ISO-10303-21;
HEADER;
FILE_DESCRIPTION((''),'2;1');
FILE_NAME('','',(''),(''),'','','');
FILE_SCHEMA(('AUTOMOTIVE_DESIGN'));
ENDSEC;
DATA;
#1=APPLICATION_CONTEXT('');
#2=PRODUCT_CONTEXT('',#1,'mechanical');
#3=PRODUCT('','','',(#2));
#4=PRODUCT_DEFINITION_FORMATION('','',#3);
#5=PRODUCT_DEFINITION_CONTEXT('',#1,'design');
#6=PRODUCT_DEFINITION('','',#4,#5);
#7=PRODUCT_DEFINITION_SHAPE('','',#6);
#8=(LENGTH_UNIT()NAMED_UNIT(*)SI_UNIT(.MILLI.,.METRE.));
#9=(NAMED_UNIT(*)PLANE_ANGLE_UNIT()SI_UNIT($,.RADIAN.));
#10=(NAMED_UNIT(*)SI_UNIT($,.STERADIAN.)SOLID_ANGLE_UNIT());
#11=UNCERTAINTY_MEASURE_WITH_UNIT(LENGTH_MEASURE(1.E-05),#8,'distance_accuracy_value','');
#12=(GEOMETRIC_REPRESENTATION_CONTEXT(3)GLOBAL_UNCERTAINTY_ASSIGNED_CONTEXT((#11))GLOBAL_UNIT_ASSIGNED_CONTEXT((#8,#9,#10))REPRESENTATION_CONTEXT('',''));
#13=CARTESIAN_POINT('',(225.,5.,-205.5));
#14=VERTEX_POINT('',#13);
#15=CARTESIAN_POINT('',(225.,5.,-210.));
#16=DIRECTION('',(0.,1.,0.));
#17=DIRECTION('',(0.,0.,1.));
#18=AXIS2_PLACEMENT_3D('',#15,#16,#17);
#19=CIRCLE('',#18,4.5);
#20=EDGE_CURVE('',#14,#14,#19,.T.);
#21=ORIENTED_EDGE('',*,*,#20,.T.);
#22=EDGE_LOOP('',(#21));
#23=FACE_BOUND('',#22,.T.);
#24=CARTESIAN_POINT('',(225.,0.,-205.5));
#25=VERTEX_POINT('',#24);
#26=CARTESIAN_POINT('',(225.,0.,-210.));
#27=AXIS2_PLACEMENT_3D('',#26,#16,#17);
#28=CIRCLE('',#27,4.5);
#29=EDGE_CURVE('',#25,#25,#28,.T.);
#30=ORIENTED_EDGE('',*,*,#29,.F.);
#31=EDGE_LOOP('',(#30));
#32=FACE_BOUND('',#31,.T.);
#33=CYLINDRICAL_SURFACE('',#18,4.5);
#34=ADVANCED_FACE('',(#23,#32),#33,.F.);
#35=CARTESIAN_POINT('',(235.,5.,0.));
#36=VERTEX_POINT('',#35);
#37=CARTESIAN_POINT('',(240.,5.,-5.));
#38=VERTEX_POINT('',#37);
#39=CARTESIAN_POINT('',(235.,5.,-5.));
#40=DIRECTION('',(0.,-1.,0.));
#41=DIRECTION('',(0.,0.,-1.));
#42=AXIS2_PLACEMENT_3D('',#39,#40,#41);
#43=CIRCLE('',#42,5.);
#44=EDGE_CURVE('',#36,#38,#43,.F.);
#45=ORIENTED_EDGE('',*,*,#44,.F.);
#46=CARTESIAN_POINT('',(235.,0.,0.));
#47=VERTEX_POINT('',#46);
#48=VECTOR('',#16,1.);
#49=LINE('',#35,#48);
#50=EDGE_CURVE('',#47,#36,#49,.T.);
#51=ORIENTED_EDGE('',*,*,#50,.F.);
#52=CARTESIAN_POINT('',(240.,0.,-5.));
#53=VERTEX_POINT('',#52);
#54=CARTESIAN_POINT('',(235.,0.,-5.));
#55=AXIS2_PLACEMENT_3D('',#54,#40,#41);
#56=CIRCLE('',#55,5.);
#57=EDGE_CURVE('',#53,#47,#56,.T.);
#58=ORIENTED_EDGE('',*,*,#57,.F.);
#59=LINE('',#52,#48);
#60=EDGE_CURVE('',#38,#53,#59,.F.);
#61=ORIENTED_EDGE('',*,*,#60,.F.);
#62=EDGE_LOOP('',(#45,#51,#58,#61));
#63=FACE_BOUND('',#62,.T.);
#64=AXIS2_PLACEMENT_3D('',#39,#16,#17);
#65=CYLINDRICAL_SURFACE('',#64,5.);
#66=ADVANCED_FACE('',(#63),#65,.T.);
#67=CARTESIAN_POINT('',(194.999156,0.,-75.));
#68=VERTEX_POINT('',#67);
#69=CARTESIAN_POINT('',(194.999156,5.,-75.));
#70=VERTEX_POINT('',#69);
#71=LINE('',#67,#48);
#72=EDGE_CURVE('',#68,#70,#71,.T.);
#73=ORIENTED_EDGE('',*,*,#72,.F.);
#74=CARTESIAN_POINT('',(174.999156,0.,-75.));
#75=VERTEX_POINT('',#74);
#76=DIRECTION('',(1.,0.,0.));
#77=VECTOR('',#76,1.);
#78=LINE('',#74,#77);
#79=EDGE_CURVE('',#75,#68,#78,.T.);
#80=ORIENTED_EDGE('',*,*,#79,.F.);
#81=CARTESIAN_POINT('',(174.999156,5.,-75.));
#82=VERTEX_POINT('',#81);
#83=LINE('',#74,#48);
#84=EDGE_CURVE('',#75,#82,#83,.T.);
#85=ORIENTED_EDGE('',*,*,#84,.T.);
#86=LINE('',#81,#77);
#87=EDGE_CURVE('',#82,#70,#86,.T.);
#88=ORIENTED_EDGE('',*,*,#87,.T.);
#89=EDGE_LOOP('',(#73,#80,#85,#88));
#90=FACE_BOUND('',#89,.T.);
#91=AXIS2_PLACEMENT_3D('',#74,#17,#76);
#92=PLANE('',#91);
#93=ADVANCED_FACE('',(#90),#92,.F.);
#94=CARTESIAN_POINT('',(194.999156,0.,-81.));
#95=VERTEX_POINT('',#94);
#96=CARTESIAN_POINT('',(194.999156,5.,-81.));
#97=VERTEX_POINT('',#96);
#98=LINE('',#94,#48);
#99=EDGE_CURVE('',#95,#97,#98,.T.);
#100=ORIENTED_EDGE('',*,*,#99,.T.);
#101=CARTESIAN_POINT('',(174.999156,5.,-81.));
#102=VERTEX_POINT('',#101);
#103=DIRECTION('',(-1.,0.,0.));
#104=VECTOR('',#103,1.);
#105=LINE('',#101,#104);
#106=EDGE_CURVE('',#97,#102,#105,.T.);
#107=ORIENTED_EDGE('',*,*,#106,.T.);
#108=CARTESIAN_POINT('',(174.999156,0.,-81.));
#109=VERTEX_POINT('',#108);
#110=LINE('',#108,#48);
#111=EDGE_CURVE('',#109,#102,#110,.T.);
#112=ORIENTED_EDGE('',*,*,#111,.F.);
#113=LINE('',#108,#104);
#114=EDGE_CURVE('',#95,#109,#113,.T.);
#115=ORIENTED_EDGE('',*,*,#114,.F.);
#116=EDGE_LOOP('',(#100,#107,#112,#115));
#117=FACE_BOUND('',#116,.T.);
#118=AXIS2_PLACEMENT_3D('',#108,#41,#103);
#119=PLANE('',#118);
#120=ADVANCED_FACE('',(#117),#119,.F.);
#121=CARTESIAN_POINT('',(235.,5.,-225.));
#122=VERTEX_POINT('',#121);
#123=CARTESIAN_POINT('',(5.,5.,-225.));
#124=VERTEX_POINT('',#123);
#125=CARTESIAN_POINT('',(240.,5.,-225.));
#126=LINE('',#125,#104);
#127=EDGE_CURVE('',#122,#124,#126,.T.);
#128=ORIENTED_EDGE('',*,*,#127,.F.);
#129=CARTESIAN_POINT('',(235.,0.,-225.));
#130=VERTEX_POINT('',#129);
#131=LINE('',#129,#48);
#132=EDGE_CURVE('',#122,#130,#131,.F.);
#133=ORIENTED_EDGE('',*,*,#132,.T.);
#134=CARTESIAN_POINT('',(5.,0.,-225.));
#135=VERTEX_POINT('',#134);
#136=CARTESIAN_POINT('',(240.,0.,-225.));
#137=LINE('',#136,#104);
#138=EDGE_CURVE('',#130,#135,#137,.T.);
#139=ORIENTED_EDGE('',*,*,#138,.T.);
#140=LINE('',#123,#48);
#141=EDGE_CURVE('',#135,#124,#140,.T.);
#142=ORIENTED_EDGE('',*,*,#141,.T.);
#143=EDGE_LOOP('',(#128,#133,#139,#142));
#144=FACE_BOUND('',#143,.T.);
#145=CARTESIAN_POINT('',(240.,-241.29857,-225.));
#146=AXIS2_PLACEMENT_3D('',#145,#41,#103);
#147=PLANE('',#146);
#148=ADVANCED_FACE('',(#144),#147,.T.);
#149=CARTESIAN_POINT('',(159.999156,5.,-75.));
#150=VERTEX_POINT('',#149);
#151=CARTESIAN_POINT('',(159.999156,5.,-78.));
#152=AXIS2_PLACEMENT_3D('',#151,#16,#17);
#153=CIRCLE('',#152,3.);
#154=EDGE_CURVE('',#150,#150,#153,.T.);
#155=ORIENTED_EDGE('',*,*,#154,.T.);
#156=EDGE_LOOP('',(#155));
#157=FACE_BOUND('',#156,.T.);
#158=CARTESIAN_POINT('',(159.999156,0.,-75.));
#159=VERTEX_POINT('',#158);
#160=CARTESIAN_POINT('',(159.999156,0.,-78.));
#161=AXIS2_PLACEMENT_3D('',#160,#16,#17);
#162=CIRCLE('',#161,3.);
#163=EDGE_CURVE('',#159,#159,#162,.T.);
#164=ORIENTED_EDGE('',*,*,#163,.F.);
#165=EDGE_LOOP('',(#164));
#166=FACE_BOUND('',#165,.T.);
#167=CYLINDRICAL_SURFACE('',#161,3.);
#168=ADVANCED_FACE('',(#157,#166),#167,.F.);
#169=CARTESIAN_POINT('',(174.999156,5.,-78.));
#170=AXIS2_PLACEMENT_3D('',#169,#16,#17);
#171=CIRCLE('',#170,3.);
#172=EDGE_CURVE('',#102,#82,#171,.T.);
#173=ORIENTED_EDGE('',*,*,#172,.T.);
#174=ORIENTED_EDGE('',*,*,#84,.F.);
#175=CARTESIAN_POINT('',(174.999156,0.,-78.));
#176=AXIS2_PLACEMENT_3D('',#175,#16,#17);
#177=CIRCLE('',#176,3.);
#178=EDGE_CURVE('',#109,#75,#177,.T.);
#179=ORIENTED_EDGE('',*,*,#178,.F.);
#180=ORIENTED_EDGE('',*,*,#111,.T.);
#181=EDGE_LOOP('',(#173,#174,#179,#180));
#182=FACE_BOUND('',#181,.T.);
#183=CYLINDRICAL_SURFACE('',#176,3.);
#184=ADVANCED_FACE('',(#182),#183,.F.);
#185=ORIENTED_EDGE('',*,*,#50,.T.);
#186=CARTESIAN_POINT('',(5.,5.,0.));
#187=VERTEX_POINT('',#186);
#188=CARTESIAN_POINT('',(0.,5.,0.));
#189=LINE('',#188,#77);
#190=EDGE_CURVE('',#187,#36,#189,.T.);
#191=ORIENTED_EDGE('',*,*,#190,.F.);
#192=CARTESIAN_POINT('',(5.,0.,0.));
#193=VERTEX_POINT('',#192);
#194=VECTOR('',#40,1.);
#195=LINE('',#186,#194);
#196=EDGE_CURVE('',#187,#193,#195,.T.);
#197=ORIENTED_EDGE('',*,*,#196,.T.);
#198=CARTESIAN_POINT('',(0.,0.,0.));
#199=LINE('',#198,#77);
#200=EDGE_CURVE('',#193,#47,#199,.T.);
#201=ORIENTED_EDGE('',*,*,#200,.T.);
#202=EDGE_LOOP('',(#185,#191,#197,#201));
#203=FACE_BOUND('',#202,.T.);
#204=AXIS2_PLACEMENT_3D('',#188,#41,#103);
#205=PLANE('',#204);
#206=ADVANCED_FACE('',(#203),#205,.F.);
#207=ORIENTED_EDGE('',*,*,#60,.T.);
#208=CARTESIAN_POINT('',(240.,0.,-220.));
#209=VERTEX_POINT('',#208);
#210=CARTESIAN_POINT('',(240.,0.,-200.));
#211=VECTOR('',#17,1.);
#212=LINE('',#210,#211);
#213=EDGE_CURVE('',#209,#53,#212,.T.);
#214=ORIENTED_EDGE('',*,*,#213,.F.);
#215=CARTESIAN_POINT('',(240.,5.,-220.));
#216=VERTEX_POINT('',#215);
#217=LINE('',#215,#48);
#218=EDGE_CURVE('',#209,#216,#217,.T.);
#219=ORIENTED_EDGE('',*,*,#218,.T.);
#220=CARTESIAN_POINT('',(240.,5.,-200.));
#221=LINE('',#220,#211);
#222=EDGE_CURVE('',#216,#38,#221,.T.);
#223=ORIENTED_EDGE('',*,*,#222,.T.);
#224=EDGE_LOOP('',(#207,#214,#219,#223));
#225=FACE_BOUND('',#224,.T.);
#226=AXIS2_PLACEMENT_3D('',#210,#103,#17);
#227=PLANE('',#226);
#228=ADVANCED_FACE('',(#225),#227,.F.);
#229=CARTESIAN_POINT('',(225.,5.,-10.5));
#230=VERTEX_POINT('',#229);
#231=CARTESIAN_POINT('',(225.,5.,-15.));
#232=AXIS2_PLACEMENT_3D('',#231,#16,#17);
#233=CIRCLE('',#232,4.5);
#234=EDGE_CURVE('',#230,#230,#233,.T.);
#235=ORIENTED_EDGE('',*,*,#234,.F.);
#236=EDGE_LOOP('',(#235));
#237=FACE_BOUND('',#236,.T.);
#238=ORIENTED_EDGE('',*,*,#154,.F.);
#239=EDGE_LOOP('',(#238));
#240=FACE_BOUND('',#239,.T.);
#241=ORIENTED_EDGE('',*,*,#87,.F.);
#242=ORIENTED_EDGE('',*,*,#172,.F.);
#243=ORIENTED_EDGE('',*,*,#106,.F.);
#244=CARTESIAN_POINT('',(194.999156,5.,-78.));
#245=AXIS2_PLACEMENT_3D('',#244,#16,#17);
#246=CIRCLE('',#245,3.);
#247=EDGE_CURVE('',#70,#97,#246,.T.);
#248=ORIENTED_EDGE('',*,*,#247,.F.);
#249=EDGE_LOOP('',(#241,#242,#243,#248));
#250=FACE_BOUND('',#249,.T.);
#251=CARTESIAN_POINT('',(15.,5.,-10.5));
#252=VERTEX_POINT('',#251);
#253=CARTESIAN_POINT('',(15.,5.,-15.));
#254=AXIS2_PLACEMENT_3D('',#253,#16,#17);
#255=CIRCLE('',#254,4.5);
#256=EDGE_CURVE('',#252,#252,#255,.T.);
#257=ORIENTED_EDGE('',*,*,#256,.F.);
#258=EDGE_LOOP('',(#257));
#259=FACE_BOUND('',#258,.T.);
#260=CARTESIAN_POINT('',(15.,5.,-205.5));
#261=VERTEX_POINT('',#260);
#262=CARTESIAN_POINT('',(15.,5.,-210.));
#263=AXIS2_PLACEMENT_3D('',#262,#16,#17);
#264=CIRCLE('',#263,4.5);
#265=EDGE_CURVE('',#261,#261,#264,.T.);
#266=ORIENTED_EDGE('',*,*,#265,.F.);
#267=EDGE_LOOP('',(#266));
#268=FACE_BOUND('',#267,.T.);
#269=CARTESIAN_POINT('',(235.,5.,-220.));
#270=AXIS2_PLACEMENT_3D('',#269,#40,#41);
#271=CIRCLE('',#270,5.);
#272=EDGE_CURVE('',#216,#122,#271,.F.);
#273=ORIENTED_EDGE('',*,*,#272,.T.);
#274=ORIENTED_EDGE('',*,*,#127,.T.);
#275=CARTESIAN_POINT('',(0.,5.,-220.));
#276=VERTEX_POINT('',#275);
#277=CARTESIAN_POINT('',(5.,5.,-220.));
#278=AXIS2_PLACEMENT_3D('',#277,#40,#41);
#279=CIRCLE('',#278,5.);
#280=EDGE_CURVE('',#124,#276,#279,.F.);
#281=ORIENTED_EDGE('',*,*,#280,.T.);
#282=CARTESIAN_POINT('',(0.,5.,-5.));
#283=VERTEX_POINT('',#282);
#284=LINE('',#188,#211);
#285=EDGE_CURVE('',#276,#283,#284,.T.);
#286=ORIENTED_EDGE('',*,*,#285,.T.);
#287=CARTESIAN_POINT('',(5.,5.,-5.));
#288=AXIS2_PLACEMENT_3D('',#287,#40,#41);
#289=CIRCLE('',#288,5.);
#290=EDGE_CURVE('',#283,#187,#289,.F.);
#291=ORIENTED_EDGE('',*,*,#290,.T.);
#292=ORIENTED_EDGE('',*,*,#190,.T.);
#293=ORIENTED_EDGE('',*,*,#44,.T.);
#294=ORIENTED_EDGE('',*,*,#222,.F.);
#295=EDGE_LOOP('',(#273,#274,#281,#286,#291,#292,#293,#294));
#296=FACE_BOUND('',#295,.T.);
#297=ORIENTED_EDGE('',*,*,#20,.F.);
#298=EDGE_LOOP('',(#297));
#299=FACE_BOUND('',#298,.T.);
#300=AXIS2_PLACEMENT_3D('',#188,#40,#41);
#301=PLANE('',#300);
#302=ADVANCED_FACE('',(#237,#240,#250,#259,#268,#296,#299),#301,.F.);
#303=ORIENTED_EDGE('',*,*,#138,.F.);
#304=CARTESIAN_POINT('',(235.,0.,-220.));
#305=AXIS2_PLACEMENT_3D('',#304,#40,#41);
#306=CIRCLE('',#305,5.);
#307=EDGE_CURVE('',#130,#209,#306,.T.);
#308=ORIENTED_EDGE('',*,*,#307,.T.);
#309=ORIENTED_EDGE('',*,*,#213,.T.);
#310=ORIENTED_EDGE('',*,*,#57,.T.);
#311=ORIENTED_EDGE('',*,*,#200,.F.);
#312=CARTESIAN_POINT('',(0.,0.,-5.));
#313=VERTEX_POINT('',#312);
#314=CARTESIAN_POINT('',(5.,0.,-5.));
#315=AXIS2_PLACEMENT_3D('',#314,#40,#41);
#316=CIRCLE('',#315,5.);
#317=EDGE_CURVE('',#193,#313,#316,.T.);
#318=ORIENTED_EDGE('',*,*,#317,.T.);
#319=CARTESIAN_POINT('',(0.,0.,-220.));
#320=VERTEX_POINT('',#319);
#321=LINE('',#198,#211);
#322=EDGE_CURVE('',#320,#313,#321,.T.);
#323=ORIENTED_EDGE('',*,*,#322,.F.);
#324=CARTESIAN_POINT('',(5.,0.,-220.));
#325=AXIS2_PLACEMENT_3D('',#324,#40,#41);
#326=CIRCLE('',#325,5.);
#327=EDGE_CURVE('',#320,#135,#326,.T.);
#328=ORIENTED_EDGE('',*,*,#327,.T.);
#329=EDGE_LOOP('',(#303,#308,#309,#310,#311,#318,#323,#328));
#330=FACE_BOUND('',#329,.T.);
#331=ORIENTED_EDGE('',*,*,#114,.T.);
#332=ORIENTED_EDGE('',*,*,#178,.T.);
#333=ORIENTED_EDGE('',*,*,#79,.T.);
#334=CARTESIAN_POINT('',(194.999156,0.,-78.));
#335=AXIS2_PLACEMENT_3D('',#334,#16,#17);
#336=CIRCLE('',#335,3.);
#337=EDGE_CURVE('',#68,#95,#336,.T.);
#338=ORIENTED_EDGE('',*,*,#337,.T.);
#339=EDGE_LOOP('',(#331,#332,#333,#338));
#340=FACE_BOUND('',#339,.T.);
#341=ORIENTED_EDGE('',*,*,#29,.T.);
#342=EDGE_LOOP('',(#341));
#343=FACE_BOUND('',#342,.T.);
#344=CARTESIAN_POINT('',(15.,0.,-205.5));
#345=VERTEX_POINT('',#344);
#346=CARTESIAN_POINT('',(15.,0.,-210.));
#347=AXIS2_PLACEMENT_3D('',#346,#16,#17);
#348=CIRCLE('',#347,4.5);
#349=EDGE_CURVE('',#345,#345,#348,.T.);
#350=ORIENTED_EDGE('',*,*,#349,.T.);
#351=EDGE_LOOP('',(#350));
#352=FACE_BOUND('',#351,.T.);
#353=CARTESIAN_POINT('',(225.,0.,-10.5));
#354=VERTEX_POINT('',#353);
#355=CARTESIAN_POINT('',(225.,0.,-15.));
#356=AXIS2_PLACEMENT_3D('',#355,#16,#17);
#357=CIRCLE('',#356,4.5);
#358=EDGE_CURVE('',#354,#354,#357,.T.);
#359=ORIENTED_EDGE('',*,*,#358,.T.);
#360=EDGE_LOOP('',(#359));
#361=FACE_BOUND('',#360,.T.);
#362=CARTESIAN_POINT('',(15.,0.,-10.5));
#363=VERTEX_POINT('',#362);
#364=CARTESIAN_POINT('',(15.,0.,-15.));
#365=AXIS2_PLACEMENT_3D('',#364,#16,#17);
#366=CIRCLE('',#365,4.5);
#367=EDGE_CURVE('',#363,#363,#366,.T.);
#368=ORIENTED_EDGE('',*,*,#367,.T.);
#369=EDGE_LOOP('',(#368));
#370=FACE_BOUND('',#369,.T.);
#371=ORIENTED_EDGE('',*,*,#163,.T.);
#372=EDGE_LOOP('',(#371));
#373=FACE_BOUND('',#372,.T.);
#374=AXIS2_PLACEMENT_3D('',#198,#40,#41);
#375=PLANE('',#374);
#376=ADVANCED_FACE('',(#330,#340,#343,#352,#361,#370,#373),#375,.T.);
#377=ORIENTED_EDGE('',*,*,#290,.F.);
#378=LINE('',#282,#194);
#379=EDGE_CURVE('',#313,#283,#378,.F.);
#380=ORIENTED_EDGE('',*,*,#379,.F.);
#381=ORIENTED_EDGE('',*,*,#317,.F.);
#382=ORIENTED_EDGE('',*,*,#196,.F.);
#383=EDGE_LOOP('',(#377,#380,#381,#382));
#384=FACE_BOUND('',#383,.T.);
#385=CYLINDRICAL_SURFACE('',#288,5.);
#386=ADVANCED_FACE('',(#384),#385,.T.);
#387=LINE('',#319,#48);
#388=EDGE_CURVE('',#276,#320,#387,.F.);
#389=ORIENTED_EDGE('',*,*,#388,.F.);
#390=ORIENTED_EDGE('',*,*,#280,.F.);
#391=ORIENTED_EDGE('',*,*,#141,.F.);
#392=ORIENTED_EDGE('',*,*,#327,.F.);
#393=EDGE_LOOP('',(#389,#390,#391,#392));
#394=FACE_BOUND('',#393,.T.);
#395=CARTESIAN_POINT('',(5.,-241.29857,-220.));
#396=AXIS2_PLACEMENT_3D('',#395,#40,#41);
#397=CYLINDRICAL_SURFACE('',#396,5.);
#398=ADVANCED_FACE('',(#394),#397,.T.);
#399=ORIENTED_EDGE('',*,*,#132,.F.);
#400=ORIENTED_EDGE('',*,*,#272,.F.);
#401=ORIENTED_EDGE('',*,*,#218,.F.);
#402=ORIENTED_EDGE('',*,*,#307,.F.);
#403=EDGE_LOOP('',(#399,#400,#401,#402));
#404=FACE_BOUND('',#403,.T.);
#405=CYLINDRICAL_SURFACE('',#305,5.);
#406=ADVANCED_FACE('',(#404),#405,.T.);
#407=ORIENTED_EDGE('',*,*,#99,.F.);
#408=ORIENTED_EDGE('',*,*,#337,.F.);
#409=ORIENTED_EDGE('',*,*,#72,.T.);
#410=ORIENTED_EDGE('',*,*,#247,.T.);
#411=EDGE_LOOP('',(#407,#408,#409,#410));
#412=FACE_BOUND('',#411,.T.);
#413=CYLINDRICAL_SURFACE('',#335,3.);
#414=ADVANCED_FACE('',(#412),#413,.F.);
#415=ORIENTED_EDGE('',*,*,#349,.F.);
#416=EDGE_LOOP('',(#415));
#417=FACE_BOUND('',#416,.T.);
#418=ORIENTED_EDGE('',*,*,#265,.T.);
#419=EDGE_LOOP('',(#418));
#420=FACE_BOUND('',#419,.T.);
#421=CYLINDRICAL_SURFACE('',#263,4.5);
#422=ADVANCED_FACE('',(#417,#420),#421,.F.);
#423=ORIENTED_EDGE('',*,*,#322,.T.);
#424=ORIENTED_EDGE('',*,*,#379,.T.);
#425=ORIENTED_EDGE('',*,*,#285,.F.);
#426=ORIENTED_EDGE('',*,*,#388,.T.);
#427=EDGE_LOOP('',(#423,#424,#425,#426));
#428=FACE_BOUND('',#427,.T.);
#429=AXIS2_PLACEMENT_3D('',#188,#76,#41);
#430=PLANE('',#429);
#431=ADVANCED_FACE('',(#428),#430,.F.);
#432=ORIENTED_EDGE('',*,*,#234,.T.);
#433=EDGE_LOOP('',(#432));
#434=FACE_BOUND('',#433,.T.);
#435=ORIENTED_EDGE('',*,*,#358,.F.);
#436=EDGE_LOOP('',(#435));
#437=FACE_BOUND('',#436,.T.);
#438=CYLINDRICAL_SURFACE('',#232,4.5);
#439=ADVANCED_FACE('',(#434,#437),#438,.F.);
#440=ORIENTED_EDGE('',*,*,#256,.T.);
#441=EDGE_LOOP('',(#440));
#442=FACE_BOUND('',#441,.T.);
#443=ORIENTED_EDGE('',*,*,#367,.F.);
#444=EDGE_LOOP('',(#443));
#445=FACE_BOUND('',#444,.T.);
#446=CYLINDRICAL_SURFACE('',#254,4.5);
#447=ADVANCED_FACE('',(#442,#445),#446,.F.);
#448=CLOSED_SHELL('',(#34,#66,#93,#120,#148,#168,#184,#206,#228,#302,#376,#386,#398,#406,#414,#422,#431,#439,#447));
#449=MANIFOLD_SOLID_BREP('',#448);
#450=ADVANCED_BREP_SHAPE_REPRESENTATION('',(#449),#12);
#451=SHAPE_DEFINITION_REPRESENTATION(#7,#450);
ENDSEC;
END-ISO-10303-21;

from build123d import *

# Parameters (mm, degrees)
SKETCH1_W                = 350
SKETCH1_H                = 200
BOSS_EXTRUDE1_DEPTH      = 5
M4_CLEARANCE_HOLE2_D     = 4.5
M4_CLEARANCE_HOLE2_DEPTH = 10
M4_CLEARANCE_HOLE2_TIP   = 1.351936393
SKETCH8_R                = 3
CUT_EXTRUDE2_DEPTH       = 404.143894906
SKETCH10_W               = 110
SKETCH10_H               = 200
CUT_EXTRUDE4_DEPTH       = 404.143894906
SKETCH11_W               = 240
SKETCH11_H               = 25
BOSS_EXTRUDE2_DEPTH      = 5
M8_CLEARANCE_HOLE1_D     = 9
FILLET3_R                = 5


with BuildPart() as part:
    # Sketch1 → Boss-Extrude1 (new body)
    with BuildSketch(Plane(origin=(0, 0, 0), x_dir=(1, 0, 0), z_dir=(0, 1, 0))):
        with Locations((175, 100)):
            Rectangle(SKETCH1_W, SKETCH1_H)
    extrude(amount=BOSS_EXTRUDE1_DEPTH)

    # M4 Clearance Hole2
    with Locations(Plane(origin=(0, 5, 0), x_dir=(1, 0, 0), z_dir=(0, 1, 0))):
        with Locations((279.726995352, 76.5), (279.726995352, 123.5), (303.226995352, 100), (256.226995352, 100)):
            Hole(M4_CLEARANCE_HOLE2_D / 2, depth=M4_CLEARANCE_HOLE2_DEPTH)
            with Locations((0, 0, -(M4_CLEARANCE_HOLE2_DEPTH + M4_CLEARANCE_HOLE2_TIP / 2))):  # 118° drill point
                Cone(0, M4_CLEARANCE_HOLE2_D / 2, M4_CLEARANCE_HOLE2_TIP, mode=Mode.SUBTRACT)

    # Sketch8 → Cut-Extrude2 (cut, through all)
    with BuildSketch(Plane(origin=(0, 5, 0), x_dir=(1, 0, 0), z_dir=(0, 1, 0))):
        with Locations(Location((159.999156247, 78, 0), (0, 0, 270))):
            Circle(SKETCH8_R)
        with BuildLine():
            Line((174.999156247, 81), (194.999156247, 81))
            ThreePointArc((194.999156247, 81), (197.999156247, 78), (194.999156247, 75))
            Line((194.999156247, 75), (174.999156247, 75))
            ThreePointArc((174.999156247, 75), (171.999156247, 78), (174.999156247, 81))
        make_face()
    extrude(amount=-CUT_EXTRUDE2_DEPTH, mode=Mode.SUBTRACT)

    # Sketch10 → Cut-Extrude4 (cut, through all)
    with BuildSketch(Plane(origin=(0, 5, 0), x_dir=(1, 0, 0), z_dir=(0, 1, 0))):
        with Locations((295, 100)):
            Rectangle(SKETCH10_W, SKETCH10_H)
    extrude(amount=-CUT_EXTRUDE4_DEPTH, mode=Mode.SUBTRACT)

    # Sketch11 → Boss-Extrude2 (add)
    with BuildSketch(Plane(origin=(0, 5, 0), x_dir=(1, 0, 0), z_dir=(0, 1, 0))):
        with Locations((120, 212.5)):
            Rectangle(SKETCH11_W, SKETCH11_H)
    extrude(amount=-BOSS_EXTRUDE2_DEPTH)

    # M8 Clearance Hole1 (through all)
    with Locations(Plane(origin=(0, 5, 0), x_dir=(1, 0, 0), z_dir=(0, 1, 0))):
        with Locations((15, 15), (225, 15), (225, 210), (15, 210)):
            Hole(M8_CLEARANCE_HOLE1_D / 2)

    # Fillet3
    fillet3_edges = [part.edges().sort_by_distance(p)[0] for p in [
        (240, 2.5, 0),
        (0, 2.5, 0),
        (0, 2.5, -225),
        (240, 2.5, -225),
    ]]
    fillet(fillet3_edges, radius=FILLET3_R)


solid = part.part
